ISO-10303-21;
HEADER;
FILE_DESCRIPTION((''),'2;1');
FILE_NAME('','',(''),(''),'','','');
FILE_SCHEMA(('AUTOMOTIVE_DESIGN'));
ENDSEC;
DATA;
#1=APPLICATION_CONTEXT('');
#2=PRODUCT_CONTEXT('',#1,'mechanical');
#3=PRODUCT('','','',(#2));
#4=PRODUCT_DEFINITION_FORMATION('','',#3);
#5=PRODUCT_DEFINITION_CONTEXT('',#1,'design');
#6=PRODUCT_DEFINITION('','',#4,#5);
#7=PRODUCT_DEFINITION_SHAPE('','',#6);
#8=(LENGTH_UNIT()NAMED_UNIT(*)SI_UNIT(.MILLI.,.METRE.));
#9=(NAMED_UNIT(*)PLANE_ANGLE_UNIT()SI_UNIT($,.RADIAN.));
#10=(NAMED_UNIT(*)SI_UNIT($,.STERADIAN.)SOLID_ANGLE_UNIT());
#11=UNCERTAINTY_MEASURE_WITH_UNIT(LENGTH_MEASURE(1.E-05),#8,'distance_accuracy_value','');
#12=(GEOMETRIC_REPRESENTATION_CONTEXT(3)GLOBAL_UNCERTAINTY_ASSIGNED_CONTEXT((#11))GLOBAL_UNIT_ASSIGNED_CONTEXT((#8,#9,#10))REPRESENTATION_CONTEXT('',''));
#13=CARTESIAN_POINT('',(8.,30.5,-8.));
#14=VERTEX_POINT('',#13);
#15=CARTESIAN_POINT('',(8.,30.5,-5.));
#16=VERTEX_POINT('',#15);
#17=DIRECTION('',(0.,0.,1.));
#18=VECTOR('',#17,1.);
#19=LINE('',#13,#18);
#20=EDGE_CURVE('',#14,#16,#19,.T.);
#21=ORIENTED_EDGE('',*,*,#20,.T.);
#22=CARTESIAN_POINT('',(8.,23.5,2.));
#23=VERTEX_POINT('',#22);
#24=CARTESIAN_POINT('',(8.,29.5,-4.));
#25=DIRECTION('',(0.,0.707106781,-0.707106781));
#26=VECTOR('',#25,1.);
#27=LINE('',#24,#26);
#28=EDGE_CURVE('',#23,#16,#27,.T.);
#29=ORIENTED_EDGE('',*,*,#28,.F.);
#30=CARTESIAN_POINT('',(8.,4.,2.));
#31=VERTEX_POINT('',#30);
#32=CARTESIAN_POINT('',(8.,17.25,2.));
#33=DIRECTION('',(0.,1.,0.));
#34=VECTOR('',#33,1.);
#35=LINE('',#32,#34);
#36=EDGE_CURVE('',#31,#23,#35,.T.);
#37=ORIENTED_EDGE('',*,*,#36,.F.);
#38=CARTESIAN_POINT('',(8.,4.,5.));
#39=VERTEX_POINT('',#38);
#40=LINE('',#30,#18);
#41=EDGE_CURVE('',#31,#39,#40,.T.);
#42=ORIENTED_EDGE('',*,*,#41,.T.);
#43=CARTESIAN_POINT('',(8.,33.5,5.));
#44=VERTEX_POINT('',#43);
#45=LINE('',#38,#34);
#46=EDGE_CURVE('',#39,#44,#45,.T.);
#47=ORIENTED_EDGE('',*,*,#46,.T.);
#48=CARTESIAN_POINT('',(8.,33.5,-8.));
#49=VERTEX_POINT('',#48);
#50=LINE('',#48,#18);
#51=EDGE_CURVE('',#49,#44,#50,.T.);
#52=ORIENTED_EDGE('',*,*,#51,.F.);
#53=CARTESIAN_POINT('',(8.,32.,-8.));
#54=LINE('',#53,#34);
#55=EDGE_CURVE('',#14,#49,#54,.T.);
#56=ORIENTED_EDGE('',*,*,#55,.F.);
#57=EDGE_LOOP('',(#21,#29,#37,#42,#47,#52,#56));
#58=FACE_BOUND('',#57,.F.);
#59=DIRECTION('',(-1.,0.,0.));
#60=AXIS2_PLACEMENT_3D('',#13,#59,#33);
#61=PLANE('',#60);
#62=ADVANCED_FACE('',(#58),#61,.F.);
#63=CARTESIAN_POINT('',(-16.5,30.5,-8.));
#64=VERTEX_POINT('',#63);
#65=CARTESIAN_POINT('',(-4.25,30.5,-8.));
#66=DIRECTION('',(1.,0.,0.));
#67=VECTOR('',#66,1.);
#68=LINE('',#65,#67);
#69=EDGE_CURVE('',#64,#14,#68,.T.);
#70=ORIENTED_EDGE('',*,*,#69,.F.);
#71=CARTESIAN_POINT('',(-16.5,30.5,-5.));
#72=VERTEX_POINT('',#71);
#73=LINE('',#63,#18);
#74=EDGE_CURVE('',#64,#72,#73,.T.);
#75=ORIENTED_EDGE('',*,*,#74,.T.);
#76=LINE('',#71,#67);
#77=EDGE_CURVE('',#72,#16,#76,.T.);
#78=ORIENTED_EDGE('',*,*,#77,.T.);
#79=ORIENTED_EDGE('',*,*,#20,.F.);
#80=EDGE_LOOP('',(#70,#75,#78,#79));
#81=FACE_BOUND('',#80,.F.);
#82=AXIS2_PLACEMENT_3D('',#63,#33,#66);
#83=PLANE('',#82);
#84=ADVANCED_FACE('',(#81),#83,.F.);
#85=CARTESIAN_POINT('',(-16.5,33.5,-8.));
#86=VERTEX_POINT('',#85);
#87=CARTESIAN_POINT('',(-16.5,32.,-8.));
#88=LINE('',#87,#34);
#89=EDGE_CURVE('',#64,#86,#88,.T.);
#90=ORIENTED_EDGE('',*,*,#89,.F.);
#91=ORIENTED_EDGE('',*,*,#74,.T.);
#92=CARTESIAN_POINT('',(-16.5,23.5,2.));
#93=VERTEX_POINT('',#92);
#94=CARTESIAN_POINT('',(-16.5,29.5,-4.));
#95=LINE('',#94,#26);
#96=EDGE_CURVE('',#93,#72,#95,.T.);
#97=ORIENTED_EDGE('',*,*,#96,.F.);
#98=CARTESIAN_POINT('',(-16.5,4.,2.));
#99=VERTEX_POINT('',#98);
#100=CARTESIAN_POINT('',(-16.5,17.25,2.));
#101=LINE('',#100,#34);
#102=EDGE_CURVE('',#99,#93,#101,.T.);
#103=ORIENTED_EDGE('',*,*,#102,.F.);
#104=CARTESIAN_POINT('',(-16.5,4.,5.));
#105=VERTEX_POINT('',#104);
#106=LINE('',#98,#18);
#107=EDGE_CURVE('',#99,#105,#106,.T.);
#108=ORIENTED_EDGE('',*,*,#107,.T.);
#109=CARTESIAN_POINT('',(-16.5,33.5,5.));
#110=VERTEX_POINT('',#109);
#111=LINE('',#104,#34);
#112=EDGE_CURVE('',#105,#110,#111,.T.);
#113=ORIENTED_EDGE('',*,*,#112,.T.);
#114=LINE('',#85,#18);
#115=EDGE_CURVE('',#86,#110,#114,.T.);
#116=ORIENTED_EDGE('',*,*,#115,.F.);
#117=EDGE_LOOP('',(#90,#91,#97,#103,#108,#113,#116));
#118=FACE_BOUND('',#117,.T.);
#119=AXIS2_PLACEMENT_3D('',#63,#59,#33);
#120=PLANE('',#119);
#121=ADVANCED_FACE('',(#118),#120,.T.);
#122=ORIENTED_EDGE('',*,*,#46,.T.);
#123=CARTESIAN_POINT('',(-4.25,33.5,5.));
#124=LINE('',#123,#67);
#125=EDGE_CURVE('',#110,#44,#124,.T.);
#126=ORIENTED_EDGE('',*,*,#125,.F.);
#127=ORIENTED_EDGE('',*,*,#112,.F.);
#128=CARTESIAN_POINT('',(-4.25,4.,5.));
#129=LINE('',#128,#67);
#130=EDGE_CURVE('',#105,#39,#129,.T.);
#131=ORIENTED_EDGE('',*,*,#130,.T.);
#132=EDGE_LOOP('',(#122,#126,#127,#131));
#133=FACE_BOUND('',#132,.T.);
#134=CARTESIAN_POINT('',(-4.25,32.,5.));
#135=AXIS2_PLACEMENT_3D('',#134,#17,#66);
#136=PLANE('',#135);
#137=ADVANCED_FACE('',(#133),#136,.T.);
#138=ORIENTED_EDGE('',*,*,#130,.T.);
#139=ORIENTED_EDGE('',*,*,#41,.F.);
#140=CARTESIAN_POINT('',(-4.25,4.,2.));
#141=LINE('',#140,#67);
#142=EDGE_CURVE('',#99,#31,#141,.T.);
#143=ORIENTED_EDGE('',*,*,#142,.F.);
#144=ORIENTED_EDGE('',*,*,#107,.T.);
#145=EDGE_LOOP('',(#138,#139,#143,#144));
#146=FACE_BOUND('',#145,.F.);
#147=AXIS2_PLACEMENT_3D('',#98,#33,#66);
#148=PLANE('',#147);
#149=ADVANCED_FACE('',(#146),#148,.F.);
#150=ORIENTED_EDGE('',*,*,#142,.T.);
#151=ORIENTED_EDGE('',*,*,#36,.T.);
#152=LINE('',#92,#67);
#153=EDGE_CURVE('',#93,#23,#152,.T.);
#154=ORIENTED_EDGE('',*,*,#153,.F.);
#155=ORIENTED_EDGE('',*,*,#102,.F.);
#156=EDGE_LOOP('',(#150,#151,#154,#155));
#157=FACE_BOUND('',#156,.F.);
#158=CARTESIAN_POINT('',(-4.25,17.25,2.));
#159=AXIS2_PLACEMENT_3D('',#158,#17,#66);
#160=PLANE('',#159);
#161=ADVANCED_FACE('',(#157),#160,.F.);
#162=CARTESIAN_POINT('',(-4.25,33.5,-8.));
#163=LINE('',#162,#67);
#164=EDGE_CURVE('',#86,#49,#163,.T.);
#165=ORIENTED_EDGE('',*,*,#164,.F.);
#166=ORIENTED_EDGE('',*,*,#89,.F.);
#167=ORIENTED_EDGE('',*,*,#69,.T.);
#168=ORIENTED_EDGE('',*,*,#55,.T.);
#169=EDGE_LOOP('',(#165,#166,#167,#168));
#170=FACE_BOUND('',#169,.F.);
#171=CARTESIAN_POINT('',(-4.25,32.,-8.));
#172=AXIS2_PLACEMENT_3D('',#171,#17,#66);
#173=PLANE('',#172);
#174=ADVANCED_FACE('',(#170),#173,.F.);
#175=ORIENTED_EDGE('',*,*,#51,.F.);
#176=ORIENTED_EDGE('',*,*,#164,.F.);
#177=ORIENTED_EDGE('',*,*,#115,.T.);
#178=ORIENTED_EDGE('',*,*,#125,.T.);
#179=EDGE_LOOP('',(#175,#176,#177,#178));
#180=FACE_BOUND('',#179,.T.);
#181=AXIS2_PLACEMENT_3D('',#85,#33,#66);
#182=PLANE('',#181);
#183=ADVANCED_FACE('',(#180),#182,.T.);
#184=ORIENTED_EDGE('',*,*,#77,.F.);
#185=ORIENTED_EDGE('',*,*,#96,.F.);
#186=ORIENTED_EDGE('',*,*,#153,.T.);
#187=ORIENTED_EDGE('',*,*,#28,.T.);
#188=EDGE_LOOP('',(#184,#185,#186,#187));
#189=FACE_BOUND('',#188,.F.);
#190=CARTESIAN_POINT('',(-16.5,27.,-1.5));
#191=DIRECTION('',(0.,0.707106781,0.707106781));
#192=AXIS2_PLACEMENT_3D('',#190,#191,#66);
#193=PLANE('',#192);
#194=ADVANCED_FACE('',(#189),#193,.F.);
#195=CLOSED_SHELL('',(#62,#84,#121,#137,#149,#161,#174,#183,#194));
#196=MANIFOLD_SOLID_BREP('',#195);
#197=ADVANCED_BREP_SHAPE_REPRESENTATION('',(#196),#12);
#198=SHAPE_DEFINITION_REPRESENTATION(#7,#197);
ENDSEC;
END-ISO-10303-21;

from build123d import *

# Parameters (mm, degrees)
BOX013_W        = 24.5
BOX013_H        = 3
BOX013_DEPTH    = 13
BOX014_W        = 24.5
BOX014_H        = 26.5
BOX014_DEPTH    = 3
CHAMFER013_SIZE = 7


with BuildPart() as cube013:
    # Box013 → Box013 (new body)
    with BuildSketch(Plane(origin=(-16.5, 30.5, -8), x_dir=(1, 0, 0), z_dir=(0, 0, 1))):
        with Locations((12.25, 1.5)):
            Rectangle(BOX013_W, BOX013_H)
    extrude(amount=BOX013_DEPTH)


with BuildPart() as chamfer013:
    # Box014 → Box014 (new body)
    with BuildSketch(Plane(origin=(-16.5, 4, 2), x_dir=(1, 0, 0), z_dir=(0, 0, 1))):
        with Locations((12.25, 13.25)):
            Rectangle(BOX014_W, BOX014_H)
    extrude(amount=BOX014_DEPTH)

    # Fusion002005: union Cube013
    add(cube013.part)

    # Chamfer013
    chamfer013_edges = [chamfer013.edges().sort_by_distance(p)[0] for p in [
        (-4.25, 30.5, 2),
    ]]
    chamfer(chamfer013_edges, length=CHAMFER013_SIZE)


solid = chamfer013.part
